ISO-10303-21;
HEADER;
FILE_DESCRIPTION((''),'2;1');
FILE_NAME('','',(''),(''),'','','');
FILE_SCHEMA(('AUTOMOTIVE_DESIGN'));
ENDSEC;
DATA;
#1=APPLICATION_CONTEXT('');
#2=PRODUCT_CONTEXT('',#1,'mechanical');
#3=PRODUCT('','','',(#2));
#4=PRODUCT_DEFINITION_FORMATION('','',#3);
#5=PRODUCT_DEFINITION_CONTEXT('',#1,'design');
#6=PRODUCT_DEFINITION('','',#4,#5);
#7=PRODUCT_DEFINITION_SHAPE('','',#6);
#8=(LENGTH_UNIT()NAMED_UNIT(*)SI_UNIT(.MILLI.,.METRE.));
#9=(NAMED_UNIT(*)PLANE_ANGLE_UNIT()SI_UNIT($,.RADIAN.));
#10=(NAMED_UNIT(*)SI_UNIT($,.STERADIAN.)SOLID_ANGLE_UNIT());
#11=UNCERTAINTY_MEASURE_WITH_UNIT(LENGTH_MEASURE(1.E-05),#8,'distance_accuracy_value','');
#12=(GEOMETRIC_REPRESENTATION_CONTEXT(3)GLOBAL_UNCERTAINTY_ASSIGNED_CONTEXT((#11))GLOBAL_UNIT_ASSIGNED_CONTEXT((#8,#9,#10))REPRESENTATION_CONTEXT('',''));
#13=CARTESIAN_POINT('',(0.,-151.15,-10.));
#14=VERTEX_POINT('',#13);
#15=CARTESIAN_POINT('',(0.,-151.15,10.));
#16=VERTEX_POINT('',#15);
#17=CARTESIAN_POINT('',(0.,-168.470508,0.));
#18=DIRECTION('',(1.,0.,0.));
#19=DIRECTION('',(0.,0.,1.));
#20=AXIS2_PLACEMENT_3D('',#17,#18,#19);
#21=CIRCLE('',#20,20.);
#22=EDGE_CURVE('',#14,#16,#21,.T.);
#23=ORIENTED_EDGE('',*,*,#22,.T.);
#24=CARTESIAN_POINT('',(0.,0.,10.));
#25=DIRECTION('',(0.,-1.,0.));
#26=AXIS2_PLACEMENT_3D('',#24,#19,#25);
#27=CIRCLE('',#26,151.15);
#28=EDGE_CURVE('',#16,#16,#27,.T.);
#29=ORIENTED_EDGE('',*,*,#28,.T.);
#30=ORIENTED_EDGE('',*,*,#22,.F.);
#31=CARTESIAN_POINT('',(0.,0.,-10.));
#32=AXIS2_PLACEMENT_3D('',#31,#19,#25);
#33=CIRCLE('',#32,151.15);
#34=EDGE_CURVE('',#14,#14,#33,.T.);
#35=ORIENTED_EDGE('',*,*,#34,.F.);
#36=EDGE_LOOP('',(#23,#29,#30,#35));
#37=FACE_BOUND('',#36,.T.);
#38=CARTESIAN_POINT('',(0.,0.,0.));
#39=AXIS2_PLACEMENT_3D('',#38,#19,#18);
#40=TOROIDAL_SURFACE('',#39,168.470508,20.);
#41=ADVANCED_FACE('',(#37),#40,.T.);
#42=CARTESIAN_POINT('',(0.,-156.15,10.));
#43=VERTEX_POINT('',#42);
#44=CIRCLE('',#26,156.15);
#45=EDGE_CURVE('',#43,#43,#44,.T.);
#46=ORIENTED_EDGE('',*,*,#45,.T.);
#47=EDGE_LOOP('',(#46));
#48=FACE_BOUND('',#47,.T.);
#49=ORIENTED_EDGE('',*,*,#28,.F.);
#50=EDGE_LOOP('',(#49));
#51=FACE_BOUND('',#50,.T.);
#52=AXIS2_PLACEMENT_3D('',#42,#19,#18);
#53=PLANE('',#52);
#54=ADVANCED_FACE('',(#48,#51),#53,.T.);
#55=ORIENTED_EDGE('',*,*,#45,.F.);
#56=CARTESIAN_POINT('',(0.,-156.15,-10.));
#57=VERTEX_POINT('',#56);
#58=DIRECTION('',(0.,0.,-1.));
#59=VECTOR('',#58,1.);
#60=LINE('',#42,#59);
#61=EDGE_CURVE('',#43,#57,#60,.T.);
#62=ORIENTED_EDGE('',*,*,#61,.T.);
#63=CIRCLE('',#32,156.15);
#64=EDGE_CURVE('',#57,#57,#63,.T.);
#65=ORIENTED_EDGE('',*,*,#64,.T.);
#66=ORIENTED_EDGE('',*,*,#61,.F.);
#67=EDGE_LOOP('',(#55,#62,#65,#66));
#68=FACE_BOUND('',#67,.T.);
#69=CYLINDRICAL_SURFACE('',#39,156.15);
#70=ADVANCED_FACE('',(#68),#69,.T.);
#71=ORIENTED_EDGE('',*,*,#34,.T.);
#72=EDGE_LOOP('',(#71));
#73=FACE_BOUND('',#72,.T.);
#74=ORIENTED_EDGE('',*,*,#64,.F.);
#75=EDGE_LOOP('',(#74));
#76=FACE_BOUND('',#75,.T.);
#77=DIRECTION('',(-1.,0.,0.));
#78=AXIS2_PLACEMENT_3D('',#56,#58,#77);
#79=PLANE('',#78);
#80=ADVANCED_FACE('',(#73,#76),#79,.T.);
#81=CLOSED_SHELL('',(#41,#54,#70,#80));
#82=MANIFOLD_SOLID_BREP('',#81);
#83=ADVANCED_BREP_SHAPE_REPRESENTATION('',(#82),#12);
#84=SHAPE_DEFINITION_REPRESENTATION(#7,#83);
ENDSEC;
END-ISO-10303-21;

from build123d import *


with BuildPart() as part:
    # Balayage1: sweep along a path in Esquisse1
    with BuildLine(Plane.XY) as balayage1_path:
        CenterArc((0, 0), 156.15, 0, 360)
    # Esquisse2 → Balayage1 (sweep)
    with BuildSketch(Plane(origin=(0, 0, 0), x_dir=(0, 0, -1), z_dir=(1, 0, 0))):
        with BuildLine():
            Line((-10, -156.15), (10, -156.15))
            Line((10, -156.15), (10, -151.15))
            ThreePointArc((10, -151.15), (0, -148.470508076), (-10, -151.15))
            Line((-10, -151.15), (-10, -156.15))
        make_face()
    sweep(path=balayage1_path.line)


solid = part.part
